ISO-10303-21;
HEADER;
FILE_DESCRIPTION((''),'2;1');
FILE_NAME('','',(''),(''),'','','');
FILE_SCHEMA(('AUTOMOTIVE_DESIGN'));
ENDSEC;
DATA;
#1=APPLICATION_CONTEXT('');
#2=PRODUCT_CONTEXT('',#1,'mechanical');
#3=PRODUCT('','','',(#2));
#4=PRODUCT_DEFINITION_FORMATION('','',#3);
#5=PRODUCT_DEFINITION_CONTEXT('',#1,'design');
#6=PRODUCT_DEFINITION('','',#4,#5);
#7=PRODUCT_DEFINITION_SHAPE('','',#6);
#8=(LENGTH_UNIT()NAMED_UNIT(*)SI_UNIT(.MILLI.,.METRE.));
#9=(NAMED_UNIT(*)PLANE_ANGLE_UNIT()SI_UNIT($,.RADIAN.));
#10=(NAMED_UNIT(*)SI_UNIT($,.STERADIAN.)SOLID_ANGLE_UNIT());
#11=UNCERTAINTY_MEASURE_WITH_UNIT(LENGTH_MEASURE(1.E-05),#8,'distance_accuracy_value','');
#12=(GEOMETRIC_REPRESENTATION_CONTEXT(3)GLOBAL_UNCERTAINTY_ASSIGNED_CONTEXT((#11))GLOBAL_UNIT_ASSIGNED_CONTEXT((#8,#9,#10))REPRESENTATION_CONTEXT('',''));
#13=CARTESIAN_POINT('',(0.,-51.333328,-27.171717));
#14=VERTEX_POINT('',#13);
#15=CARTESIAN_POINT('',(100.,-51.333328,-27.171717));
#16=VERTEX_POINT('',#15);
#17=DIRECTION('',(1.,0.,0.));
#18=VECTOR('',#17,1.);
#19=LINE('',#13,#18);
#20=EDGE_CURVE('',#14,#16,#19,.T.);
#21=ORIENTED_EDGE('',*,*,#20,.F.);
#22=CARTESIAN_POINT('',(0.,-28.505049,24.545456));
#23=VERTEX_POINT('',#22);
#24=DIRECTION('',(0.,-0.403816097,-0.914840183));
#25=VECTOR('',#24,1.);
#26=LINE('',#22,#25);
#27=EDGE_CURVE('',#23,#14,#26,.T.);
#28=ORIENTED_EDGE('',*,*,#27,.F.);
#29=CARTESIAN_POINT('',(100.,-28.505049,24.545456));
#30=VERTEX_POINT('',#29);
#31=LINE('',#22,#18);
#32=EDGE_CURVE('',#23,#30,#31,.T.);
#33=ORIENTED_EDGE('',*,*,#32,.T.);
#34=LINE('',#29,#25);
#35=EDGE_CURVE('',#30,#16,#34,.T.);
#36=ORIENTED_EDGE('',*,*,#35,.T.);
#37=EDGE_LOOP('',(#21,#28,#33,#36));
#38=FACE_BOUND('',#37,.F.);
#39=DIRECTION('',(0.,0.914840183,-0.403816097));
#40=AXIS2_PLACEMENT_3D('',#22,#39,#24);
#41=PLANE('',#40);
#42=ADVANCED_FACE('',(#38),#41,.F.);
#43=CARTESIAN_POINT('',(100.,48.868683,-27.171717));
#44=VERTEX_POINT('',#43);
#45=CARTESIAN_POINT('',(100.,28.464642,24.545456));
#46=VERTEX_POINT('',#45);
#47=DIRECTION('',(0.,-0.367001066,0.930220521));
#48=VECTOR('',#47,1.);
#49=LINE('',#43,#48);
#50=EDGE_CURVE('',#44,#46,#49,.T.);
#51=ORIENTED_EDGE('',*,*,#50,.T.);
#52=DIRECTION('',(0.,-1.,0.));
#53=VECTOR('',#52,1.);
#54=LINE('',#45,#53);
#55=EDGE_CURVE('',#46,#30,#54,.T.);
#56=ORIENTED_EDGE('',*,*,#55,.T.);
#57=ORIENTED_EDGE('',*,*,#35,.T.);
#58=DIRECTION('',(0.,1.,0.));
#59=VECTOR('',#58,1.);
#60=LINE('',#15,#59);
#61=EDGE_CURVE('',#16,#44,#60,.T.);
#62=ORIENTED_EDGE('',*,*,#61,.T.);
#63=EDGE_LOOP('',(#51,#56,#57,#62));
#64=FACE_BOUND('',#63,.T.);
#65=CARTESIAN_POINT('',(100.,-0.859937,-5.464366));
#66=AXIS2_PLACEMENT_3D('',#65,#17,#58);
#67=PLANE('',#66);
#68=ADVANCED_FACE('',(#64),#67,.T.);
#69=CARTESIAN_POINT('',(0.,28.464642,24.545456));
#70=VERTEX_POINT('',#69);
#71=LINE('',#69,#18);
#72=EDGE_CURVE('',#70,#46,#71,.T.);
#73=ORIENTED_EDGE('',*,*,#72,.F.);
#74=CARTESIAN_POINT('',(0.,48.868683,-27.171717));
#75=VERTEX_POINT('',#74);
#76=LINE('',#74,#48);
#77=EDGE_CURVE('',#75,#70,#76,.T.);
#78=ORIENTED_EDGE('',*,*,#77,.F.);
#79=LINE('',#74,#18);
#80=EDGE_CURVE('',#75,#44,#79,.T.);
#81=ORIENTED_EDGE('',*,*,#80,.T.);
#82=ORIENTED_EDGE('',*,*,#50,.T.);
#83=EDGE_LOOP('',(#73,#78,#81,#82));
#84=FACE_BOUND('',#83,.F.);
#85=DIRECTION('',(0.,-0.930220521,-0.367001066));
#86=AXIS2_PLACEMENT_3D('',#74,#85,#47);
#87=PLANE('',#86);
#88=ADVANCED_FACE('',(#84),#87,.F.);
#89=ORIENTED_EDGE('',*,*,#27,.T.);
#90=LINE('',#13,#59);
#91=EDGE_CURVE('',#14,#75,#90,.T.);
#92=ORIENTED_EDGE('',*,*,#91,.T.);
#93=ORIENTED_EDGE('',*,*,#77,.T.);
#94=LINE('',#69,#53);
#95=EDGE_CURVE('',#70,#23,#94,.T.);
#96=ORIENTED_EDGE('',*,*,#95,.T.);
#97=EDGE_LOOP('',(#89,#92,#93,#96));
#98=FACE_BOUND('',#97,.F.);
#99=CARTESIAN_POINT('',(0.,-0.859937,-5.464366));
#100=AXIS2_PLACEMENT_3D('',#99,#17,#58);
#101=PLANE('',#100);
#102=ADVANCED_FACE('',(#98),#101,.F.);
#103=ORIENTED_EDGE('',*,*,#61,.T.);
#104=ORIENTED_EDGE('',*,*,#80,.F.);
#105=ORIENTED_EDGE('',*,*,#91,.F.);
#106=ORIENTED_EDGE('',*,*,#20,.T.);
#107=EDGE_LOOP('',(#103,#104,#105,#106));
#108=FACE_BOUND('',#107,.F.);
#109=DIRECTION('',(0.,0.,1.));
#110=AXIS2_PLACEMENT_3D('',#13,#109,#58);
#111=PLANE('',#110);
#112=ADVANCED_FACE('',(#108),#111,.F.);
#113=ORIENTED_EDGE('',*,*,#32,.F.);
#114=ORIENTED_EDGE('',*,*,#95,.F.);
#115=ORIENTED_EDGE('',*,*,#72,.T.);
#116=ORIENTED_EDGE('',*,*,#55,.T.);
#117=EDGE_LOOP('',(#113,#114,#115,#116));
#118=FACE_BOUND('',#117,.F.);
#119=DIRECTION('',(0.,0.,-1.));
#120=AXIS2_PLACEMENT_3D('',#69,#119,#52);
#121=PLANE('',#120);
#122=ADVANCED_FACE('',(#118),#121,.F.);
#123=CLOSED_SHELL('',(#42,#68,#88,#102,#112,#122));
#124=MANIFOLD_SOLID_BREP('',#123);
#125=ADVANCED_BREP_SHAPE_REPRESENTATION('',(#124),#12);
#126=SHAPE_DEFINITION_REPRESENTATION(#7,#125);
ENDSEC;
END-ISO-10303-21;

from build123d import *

# Parameters (mm, degrees)
PAD_DEPTH = 100


with BuildPart() as part:
    # Sketch → Pad (new body)
    with BuildSketch(Plane(origin=(0, 2, 0), x_dir=(0, 1, 0), z_dir=(1, 0, 0))):
        Polygon((-30.505049, 24.545456), (-53.333328, -27.171717), (46.868683, -27.171717), (26.464642, 24.545456), align=None)
    extrude(amount=PAD_DEPTH)


solid = part.part
